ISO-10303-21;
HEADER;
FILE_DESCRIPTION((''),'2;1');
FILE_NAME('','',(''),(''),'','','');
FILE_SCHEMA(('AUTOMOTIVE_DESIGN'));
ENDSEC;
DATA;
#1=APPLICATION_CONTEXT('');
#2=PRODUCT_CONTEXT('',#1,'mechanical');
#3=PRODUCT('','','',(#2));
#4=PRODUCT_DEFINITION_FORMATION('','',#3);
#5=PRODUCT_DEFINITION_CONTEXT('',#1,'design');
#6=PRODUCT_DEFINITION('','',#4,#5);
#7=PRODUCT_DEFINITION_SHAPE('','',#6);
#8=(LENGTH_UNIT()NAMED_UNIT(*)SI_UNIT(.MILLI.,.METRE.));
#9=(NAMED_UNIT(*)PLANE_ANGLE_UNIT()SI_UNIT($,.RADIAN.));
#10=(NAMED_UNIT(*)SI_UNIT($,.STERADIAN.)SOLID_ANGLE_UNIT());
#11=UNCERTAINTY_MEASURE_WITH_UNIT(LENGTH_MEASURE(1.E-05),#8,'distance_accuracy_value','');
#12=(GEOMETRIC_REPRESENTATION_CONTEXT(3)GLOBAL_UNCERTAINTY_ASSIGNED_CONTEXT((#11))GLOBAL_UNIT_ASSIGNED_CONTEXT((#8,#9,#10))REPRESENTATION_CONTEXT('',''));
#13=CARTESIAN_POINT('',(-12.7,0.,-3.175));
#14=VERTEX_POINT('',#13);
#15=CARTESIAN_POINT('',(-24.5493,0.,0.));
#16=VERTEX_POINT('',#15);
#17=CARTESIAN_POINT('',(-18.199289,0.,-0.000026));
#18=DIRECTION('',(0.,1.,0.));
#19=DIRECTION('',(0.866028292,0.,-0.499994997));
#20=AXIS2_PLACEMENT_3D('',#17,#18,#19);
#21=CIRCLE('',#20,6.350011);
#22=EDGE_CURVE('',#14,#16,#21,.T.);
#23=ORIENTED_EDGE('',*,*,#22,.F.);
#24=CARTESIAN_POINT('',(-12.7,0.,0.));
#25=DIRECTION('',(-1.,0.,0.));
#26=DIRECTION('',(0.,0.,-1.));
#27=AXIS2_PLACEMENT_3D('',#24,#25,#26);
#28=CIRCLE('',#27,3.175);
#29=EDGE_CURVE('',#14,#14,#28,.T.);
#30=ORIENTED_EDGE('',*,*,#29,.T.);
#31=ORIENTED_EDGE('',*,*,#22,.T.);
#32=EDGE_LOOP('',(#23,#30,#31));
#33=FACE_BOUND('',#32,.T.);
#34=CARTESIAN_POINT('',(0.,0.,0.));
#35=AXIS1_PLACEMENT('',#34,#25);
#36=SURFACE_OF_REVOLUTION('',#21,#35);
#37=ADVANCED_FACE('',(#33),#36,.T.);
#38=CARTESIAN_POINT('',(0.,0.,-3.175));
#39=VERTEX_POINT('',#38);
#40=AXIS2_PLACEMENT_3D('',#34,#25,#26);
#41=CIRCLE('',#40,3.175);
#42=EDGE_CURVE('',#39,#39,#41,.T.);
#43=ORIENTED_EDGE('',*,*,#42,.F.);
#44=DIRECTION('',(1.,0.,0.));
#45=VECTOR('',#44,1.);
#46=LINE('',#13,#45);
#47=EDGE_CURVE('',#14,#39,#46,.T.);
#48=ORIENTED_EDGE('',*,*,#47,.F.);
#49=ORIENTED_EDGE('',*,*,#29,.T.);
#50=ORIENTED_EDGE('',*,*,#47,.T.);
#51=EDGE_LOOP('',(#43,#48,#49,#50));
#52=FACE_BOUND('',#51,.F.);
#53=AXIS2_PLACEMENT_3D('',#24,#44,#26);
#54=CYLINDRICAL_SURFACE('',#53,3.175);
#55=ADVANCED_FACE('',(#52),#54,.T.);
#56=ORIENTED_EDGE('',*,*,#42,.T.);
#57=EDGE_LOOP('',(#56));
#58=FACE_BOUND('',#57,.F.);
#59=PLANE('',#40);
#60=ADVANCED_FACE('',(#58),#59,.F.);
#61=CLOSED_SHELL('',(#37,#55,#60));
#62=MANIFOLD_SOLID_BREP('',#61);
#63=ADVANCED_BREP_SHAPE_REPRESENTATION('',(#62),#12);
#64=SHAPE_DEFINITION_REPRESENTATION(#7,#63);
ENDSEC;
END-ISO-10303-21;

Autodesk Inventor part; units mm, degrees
ref_plane "YZ Plane" through (0, 0, 0) normal (1, 0, 0) x (0, 1, 0)
ref_plane "XZ Plane" through (0, 0, 0) normal (0, 1, 0) x (-1, 0, 0)
ref_plane "XY Plane" through (0, 0, 0) normal (0, 0, 1) x (1, 0, 0)
sketch "Sketch1" plane through (0, 0, 0) normal (0, 1, 0) x (-1, 0, 0)
  line L0 (0, 0) -> (24.5493, 0)
  arc A0 (12.7, -3.175) -> (24.5493, 0) centre (18.1993, 0) ccw
  line L1 (12.7, -3.175) -> (0, -3.175)
  line L2 (0, -3.175) -> (0, 0)
  dimension "d0" = 3.175
  dimension "d1" = 6.35
  dimension "d2" = 12.7
revolve "Revolution1" add sketch "Sketch1" angle 360 about axis through (0, 0, 0) along (-1, 0, 0)
properties part number "ball joint ball"
